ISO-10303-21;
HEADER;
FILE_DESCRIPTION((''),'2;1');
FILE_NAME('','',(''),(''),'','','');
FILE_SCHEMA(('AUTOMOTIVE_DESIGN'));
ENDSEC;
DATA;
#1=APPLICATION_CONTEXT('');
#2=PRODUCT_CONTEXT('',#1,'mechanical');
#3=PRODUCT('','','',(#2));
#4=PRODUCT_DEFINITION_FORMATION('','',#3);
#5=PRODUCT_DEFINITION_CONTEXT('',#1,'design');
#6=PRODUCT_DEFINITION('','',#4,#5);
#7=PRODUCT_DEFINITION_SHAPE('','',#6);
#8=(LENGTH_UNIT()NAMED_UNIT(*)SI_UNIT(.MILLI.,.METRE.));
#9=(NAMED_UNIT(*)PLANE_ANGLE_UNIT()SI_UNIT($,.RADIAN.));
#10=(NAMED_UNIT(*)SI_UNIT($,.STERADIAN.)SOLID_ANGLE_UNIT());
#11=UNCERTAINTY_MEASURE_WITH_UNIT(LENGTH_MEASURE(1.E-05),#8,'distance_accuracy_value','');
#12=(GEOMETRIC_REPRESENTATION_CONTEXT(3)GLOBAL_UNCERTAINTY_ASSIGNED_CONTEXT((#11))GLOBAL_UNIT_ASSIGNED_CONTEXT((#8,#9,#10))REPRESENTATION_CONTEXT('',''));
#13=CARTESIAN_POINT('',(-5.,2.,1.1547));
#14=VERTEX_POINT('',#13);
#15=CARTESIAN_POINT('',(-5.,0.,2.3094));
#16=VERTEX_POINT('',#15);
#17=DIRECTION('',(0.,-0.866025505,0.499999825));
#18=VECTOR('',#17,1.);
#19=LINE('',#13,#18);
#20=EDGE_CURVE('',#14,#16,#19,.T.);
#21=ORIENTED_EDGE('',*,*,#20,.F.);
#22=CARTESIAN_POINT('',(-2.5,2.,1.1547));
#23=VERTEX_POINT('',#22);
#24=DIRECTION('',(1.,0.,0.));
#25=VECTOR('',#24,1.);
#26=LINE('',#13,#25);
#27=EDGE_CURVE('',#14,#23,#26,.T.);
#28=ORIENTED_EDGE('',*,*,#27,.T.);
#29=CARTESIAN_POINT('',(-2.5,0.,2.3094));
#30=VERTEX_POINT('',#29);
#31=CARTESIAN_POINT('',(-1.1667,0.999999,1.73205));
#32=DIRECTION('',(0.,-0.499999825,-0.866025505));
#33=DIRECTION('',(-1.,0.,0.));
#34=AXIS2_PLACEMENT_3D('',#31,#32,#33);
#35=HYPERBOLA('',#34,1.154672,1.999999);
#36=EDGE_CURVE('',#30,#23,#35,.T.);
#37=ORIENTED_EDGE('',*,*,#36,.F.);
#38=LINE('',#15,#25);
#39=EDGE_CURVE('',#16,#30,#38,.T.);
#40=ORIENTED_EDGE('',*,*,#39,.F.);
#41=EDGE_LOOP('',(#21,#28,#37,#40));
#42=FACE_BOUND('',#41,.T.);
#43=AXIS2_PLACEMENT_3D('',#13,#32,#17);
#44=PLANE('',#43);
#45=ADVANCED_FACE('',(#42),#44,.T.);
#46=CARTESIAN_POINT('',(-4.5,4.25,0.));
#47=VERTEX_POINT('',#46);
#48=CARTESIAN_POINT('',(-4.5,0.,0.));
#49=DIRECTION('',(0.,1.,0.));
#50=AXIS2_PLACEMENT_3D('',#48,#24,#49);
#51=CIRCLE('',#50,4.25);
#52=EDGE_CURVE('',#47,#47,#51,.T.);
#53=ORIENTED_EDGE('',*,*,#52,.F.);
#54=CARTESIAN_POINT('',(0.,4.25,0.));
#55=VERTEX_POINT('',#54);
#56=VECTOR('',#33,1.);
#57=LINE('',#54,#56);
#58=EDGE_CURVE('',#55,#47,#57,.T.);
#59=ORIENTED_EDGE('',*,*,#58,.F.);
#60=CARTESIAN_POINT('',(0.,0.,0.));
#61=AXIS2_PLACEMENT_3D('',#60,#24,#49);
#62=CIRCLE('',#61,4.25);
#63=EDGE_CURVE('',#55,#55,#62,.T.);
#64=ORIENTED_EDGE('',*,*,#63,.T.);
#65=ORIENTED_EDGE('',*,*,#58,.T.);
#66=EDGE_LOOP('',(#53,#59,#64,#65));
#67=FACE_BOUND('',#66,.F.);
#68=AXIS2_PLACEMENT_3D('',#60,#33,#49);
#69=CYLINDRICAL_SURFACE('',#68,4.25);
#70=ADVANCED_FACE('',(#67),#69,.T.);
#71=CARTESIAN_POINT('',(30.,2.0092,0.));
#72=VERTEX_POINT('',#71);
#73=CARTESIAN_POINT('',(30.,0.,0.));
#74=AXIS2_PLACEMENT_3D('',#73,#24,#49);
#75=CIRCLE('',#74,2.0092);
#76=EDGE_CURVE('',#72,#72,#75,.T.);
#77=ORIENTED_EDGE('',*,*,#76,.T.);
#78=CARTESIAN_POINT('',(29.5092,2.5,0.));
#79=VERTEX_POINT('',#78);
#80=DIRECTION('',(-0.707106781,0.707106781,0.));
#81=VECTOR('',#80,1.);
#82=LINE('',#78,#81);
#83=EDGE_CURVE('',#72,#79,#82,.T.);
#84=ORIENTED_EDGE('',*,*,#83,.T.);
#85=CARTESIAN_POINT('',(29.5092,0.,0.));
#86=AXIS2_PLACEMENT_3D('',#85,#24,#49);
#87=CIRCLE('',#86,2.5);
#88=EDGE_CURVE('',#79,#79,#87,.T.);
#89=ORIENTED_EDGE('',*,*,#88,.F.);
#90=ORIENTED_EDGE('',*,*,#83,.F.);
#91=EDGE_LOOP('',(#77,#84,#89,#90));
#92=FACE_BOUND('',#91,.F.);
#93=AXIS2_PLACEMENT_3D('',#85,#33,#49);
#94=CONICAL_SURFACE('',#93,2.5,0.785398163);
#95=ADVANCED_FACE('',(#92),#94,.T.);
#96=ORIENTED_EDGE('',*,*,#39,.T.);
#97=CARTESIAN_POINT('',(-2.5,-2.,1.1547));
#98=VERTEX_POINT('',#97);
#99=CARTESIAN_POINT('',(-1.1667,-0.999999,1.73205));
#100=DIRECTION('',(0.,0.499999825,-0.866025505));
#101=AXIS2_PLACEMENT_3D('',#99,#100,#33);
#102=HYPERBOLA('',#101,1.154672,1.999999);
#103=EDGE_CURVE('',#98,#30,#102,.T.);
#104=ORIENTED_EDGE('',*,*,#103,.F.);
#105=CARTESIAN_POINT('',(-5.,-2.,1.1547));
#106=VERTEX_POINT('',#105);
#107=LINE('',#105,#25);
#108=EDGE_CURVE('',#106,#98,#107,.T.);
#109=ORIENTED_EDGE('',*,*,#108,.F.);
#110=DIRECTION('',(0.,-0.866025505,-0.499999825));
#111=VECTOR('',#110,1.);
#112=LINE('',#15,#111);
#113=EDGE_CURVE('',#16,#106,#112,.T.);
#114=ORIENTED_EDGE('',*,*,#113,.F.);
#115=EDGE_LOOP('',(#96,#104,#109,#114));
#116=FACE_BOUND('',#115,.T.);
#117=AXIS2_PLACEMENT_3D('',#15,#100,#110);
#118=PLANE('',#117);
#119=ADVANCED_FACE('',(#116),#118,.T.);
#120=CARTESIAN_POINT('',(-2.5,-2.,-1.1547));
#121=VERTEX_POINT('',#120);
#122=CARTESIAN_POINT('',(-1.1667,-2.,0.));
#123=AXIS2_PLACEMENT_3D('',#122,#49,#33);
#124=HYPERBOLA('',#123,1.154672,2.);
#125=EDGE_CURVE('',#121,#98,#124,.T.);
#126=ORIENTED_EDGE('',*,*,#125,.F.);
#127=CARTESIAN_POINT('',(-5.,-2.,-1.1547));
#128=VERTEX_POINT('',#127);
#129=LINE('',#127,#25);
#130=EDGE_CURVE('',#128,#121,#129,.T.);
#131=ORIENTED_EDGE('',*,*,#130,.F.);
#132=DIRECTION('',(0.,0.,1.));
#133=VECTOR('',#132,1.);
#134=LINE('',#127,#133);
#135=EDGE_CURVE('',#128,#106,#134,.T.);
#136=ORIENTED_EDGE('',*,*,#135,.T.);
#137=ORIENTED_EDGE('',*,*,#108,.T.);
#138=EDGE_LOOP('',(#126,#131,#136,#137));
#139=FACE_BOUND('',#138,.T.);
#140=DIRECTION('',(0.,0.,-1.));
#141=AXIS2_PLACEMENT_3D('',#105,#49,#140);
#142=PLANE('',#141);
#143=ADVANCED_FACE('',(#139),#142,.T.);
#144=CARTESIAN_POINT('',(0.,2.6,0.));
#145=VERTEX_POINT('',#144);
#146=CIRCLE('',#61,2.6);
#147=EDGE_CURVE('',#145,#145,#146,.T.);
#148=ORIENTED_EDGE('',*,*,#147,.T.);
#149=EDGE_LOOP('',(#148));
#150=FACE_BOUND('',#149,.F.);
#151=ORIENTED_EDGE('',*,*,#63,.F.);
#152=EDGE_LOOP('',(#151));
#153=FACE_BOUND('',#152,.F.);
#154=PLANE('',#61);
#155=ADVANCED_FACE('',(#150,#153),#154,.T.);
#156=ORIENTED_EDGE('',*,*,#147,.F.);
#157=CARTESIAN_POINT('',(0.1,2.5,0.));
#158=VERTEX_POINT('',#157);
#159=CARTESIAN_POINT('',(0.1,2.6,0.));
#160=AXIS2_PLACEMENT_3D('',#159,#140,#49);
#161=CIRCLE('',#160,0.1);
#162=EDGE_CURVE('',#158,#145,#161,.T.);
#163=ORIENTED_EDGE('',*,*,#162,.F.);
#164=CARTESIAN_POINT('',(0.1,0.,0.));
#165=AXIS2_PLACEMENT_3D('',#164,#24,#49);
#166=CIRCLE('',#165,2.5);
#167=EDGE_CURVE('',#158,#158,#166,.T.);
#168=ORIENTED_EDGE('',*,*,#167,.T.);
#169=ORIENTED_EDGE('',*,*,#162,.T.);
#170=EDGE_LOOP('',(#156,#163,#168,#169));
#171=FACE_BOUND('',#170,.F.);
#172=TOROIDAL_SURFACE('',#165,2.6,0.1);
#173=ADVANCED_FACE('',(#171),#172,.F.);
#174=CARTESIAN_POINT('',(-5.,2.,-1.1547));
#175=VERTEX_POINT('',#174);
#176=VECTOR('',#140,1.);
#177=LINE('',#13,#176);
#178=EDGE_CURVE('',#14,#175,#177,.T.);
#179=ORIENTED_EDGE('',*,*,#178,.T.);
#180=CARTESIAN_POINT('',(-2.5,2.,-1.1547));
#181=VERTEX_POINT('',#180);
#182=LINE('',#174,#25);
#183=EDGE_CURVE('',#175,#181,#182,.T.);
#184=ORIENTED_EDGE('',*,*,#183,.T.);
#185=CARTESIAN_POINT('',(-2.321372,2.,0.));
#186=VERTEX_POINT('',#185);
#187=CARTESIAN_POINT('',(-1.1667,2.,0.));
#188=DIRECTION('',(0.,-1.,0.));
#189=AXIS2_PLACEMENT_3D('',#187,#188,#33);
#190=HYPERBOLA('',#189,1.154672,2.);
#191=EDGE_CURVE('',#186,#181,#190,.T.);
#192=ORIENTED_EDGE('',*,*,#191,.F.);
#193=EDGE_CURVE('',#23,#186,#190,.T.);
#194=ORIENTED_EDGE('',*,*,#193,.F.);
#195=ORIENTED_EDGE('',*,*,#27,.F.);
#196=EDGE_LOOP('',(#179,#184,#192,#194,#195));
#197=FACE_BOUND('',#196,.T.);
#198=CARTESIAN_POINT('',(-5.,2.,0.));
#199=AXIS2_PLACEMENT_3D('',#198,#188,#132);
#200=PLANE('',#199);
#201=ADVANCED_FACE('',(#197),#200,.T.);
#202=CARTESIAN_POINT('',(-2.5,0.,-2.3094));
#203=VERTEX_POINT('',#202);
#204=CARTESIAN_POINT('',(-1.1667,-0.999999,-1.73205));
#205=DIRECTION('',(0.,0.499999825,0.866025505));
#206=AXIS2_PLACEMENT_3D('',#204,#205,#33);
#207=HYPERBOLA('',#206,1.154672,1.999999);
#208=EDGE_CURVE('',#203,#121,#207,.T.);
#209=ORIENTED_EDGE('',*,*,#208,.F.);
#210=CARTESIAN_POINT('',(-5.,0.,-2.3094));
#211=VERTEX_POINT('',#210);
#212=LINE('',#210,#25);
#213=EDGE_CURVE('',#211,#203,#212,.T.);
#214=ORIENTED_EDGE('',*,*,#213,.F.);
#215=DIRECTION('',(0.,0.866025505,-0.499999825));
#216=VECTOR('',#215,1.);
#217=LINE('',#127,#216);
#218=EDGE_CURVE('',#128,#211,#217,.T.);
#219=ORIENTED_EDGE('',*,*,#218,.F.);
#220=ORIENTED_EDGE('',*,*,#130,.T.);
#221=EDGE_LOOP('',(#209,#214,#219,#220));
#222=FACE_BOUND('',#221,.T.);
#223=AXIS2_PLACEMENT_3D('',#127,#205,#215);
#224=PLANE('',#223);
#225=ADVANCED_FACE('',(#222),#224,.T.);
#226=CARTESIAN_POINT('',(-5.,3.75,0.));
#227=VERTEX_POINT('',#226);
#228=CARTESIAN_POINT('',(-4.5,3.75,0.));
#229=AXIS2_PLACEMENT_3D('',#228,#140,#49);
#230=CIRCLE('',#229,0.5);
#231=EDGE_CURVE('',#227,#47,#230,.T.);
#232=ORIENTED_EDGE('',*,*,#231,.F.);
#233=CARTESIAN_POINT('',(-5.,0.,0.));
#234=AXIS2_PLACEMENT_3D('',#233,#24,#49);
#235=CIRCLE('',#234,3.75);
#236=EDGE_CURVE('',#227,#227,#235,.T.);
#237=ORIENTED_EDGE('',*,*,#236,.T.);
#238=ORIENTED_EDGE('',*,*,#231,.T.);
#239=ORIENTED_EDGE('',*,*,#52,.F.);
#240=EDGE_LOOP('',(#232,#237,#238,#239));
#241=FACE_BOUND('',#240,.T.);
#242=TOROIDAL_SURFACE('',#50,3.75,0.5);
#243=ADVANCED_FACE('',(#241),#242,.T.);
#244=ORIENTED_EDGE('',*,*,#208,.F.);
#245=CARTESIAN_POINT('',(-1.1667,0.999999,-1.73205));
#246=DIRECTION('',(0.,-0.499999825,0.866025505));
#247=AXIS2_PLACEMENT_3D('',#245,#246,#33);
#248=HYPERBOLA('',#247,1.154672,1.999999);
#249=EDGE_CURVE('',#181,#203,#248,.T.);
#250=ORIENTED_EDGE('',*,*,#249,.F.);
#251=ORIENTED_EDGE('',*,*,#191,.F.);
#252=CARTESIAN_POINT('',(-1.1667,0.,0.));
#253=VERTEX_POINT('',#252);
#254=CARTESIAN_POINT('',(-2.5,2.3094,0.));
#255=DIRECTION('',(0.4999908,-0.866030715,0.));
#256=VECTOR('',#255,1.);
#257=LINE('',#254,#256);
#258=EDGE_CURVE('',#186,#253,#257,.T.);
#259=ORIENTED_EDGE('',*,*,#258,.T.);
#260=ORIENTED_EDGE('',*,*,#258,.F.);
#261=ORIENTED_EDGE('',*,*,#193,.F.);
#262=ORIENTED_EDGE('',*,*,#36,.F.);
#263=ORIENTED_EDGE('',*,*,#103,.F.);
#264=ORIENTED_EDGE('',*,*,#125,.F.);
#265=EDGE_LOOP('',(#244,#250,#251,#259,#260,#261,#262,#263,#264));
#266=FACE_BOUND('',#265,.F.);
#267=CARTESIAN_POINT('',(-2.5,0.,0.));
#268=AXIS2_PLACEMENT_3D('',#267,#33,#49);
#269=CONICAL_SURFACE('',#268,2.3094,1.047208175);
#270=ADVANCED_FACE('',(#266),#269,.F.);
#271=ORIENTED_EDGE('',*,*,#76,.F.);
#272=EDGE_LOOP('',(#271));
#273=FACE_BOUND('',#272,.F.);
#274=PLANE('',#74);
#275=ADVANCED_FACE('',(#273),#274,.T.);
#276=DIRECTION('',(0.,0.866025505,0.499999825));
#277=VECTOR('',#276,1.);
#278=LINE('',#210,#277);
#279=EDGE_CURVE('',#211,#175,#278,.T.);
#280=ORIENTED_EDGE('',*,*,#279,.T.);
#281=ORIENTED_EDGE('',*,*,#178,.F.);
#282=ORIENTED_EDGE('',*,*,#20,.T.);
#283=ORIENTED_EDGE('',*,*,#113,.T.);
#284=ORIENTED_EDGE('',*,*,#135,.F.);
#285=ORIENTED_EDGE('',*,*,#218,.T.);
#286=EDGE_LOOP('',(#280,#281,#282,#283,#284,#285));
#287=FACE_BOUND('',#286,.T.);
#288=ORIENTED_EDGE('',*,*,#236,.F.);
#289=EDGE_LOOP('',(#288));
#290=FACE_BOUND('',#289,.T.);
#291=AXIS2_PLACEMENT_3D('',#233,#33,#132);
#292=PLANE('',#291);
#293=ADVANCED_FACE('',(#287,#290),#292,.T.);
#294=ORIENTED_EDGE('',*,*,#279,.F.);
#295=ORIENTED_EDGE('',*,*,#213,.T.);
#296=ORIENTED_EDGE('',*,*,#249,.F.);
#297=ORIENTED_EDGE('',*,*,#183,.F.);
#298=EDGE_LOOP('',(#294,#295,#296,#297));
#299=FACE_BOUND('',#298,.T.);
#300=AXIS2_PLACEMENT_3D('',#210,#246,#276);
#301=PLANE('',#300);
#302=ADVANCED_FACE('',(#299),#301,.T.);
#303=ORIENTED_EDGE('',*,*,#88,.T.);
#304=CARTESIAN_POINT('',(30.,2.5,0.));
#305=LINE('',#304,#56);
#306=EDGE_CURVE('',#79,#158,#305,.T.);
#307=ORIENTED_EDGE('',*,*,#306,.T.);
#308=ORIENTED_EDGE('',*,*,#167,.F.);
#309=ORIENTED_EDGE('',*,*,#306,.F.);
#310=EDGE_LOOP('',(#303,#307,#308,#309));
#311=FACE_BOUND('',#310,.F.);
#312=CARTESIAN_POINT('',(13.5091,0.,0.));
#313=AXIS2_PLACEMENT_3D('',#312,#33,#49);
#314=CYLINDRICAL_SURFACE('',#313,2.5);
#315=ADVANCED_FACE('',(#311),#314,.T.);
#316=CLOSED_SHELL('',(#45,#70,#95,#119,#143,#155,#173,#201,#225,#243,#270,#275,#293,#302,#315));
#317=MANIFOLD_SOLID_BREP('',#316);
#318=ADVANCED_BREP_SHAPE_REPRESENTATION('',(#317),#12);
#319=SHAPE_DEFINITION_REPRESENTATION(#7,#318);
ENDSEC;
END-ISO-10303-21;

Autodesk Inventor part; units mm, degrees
ref_plane "YZ Plane" through (0, 0, 0) normal (1, 0, 0) x (0, 1, 0)
ref_plane "XZ Plane" through (0, 0, 0) normal (0, 1, 0) x (-1, 0, 0)
sketch "Sketch1" plane through (0, 0, 0) normal (0, 0, 1) x (1, 0, 0)
  line L0 (-1.1667, 0) -> (30, 0)
  line L1 (30, 0) -> (30, 2.5)
  line L2 (30, 2.5) -> (14, 2.5)
  line L3 (14, 2.5) -> (13.5091, 2.5)
  line L4 (13.5091, 2.5) -> (0, 2.5)
  line L5 (0, 2.5) -> (0, 4.25)
  line L6 (0, 4.25) -> (-5, 4.25)
  line L7 (-5, 4.25) -> (-5, 2.3094)
  line L8 (-5, 2.3094) -> (-2.5, 2.3094)
  line L9 (-2.5, 2.3094) -> (-1.1667, 0)
  line L10 (-12, 0) -> (37, 0) projected
  line L11 (0, -0.85) -> (0, 5.1) projected
  line L12 (14, 2.5) -> (0, 2.5) construction
  dimension "d1" = 16
  dimension "d2" = 0.4909
  dimension "d3" = 5
  dimension "d4" = 2.5
  dimension "d5" = 60
  dimension "d6" = 5
  dimension "d7" = 5
  dimension "d8" = 4.6188
  dimension "d9" = 8.5
  dimension "d26" = 30
revolve "Body" add sketch "Sketch1" angle 360 about axis through (-1.1667, 0, 0) along (1, 0, 0)
sketch "Sketch2" plane through (-5, 0, 0) normal (-1, 0, 0) x (0, 0, 1)
  circle A0 centre (0, 0) radius 2.3094 projected
  line L0 (0, -5.95) -> (0, 5.95) projected
  line L1 (-5.95, 0) -> (5.95, 0) projected
  line L2 (2.3094, 0) -> (1.1547, -2)
  line L3 (1.1547, -2) -> (-1.1547, -2)
  line L4 (-1.1547, -2) -> (-2.3094, 0)
  line L5 (-2.3094, 0) -> (-1.1547, 2)
  line L6 (-1.1547, 2) -> (1.1547, 2)
  line L7 (1.1547, 2) -> (2.3094, 0)
extrude "Slot" add sketch "Sketch2" against normal up to next contours L7 A0 | A0 L2 | L6 L0 A0 | A0 L0 L3 | L0 L6 A0 | A0 L3 L0 | L4 A0 | A0 L5
fillet "Fillet1" radius 0.5 1 edges at (-5, -4.25, 0)
thread "Thread" size "M5x0.8" class "6g" standard "ISO Metric profile" full length
chamfer "Chamfer1" distance 0.4908 distance2 0.4908 1 edges at (30, -2.5, 0) measured on face at (30, -0.5525, -0.0341)
ref_plane "Work Plane1" through (29, 0, 0) normal (0, -1, 0) x (1, 0, 0)
fillet "Fillet2" radius 0.1 1 edges at (0, -2.5, 0)
equation "\"d1\" = GEL"
equation "\"d3\" = KOH"
equation "\"d4\" = INTI"
equation "\"d6\" = GD"
equation "\"d7\" = BDM"
equation "\"d8\" = 1.1547 * SW"
equation "\"d9\" = KOD"
equation "\"d26\" = NLG"
equation "\"d30\" = R"
equation "\"d17\" = RR"
equation "\"d13\" = GEL"
equation "\"d15\" = -0.5 * SPD + 0.5 * GD"
equation "\"d16\" = GUL"
equation "\"GD\" = NND"
equation "\"NLG\" = 30"
equation "\"GEL\" = 16"
equation "\"KOD\" = 8.5"
equation "\"KOH\" = NND"
equation "\"INTI\" = 2.5"
equation "\"GAL\" = 0.61345 * PTC"
equation "\"GUL\" = 0.61345 * PTC"
equation "\"BDM\" = NND"
equation "\"SW\" = 4"
equation "\"RR\" = 0.1 * NND"
equation "\"SPD\" = NND - 1.2269 * PTC"
equation "\"R\" = 0.1"
equation "\"PHH\" = 0.13"
equation "\"GD1\" = THREADDIA - 1.2269 * PTC"
equation "\"THREADDIA\" = 5"
equation "\"FAWI\" = 45deg"
equation "\"PTC\" = 0.8"
equation "\"KOH1\" = 4.5"
equation "\"NND\" = 5"
equation "\"TOA\" = 30deg"
equation "\"E0\" = 1.155 * SW"
properties part number "AS 1420 - 1973 - M5 x 30" material "Steel, Mild"
